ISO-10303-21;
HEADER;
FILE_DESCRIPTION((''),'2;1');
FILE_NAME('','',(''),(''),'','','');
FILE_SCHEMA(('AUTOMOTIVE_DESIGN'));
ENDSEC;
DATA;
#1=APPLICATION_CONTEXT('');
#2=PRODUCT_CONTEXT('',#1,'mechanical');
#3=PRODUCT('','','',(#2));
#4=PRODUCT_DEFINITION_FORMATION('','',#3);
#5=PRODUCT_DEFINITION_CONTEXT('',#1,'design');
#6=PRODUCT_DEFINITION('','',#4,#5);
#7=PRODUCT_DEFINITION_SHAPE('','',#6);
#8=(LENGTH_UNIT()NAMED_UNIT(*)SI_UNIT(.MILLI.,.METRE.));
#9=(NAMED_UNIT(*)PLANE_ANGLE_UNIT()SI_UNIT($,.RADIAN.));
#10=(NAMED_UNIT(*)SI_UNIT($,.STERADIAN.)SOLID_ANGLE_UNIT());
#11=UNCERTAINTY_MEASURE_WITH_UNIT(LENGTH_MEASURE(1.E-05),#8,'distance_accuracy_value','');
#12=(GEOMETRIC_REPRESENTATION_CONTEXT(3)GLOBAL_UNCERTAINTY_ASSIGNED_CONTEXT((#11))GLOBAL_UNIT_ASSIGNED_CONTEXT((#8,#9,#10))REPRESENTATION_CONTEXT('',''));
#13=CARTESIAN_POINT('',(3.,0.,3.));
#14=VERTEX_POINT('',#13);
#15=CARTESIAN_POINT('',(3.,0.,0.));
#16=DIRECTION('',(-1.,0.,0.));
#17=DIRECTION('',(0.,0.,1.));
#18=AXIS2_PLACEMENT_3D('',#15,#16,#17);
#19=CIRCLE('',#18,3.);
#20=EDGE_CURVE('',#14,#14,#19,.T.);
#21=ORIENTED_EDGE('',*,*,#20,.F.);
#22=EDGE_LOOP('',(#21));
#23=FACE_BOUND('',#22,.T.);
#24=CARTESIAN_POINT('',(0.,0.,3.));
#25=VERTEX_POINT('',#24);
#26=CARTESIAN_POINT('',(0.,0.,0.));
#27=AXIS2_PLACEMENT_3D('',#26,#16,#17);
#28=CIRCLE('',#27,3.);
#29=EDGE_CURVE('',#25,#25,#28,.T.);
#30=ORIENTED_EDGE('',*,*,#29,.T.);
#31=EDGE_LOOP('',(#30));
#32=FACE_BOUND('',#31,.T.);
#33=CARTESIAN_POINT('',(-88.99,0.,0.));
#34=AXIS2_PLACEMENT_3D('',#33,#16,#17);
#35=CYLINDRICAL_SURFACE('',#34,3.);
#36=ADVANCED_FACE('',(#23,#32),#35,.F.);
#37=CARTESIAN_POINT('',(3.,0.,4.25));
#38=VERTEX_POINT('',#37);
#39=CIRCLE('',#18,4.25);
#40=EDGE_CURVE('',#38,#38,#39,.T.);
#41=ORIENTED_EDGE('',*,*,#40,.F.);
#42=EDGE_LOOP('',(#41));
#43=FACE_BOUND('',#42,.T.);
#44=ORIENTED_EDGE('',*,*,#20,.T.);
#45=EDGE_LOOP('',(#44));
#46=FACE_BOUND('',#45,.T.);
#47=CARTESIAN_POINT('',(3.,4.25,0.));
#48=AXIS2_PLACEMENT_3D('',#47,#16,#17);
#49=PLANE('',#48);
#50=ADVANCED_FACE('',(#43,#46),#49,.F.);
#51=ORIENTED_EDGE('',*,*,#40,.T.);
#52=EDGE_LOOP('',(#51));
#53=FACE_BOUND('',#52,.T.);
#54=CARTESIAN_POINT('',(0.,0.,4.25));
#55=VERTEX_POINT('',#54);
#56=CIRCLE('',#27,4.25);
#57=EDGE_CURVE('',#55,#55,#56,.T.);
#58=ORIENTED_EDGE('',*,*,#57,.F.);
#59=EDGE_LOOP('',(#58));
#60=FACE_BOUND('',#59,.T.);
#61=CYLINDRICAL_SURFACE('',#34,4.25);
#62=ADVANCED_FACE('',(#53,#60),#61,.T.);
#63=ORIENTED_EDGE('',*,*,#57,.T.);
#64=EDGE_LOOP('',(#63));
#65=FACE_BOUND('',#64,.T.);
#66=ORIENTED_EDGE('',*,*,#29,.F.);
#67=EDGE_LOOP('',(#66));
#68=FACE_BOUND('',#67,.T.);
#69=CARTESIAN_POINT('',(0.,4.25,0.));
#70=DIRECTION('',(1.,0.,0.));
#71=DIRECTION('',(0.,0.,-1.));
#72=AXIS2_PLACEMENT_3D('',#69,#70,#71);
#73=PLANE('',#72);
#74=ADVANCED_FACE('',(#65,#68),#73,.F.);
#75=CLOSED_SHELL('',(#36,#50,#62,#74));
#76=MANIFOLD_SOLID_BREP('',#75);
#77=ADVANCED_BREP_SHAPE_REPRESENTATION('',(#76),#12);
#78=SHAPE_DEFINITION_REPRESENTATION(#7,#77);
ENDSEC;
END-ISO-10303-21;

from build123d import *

# Parameters (mm, degrees)
SKETCH1_W = 3
SKETCH1_H = 1.25


with BuildPart() as part:
    # Sketch1 → Revolve1 (revolve)
    with BuildSketch(Plane.XY):
        with Locations((1.5, 3.625)):
            Rectangle(SKETCH1_W, SKETCH1_H)
    revolve(axis=Axis((-88.99, 0, 0), (1, 0, 0)))


solid = part.part
